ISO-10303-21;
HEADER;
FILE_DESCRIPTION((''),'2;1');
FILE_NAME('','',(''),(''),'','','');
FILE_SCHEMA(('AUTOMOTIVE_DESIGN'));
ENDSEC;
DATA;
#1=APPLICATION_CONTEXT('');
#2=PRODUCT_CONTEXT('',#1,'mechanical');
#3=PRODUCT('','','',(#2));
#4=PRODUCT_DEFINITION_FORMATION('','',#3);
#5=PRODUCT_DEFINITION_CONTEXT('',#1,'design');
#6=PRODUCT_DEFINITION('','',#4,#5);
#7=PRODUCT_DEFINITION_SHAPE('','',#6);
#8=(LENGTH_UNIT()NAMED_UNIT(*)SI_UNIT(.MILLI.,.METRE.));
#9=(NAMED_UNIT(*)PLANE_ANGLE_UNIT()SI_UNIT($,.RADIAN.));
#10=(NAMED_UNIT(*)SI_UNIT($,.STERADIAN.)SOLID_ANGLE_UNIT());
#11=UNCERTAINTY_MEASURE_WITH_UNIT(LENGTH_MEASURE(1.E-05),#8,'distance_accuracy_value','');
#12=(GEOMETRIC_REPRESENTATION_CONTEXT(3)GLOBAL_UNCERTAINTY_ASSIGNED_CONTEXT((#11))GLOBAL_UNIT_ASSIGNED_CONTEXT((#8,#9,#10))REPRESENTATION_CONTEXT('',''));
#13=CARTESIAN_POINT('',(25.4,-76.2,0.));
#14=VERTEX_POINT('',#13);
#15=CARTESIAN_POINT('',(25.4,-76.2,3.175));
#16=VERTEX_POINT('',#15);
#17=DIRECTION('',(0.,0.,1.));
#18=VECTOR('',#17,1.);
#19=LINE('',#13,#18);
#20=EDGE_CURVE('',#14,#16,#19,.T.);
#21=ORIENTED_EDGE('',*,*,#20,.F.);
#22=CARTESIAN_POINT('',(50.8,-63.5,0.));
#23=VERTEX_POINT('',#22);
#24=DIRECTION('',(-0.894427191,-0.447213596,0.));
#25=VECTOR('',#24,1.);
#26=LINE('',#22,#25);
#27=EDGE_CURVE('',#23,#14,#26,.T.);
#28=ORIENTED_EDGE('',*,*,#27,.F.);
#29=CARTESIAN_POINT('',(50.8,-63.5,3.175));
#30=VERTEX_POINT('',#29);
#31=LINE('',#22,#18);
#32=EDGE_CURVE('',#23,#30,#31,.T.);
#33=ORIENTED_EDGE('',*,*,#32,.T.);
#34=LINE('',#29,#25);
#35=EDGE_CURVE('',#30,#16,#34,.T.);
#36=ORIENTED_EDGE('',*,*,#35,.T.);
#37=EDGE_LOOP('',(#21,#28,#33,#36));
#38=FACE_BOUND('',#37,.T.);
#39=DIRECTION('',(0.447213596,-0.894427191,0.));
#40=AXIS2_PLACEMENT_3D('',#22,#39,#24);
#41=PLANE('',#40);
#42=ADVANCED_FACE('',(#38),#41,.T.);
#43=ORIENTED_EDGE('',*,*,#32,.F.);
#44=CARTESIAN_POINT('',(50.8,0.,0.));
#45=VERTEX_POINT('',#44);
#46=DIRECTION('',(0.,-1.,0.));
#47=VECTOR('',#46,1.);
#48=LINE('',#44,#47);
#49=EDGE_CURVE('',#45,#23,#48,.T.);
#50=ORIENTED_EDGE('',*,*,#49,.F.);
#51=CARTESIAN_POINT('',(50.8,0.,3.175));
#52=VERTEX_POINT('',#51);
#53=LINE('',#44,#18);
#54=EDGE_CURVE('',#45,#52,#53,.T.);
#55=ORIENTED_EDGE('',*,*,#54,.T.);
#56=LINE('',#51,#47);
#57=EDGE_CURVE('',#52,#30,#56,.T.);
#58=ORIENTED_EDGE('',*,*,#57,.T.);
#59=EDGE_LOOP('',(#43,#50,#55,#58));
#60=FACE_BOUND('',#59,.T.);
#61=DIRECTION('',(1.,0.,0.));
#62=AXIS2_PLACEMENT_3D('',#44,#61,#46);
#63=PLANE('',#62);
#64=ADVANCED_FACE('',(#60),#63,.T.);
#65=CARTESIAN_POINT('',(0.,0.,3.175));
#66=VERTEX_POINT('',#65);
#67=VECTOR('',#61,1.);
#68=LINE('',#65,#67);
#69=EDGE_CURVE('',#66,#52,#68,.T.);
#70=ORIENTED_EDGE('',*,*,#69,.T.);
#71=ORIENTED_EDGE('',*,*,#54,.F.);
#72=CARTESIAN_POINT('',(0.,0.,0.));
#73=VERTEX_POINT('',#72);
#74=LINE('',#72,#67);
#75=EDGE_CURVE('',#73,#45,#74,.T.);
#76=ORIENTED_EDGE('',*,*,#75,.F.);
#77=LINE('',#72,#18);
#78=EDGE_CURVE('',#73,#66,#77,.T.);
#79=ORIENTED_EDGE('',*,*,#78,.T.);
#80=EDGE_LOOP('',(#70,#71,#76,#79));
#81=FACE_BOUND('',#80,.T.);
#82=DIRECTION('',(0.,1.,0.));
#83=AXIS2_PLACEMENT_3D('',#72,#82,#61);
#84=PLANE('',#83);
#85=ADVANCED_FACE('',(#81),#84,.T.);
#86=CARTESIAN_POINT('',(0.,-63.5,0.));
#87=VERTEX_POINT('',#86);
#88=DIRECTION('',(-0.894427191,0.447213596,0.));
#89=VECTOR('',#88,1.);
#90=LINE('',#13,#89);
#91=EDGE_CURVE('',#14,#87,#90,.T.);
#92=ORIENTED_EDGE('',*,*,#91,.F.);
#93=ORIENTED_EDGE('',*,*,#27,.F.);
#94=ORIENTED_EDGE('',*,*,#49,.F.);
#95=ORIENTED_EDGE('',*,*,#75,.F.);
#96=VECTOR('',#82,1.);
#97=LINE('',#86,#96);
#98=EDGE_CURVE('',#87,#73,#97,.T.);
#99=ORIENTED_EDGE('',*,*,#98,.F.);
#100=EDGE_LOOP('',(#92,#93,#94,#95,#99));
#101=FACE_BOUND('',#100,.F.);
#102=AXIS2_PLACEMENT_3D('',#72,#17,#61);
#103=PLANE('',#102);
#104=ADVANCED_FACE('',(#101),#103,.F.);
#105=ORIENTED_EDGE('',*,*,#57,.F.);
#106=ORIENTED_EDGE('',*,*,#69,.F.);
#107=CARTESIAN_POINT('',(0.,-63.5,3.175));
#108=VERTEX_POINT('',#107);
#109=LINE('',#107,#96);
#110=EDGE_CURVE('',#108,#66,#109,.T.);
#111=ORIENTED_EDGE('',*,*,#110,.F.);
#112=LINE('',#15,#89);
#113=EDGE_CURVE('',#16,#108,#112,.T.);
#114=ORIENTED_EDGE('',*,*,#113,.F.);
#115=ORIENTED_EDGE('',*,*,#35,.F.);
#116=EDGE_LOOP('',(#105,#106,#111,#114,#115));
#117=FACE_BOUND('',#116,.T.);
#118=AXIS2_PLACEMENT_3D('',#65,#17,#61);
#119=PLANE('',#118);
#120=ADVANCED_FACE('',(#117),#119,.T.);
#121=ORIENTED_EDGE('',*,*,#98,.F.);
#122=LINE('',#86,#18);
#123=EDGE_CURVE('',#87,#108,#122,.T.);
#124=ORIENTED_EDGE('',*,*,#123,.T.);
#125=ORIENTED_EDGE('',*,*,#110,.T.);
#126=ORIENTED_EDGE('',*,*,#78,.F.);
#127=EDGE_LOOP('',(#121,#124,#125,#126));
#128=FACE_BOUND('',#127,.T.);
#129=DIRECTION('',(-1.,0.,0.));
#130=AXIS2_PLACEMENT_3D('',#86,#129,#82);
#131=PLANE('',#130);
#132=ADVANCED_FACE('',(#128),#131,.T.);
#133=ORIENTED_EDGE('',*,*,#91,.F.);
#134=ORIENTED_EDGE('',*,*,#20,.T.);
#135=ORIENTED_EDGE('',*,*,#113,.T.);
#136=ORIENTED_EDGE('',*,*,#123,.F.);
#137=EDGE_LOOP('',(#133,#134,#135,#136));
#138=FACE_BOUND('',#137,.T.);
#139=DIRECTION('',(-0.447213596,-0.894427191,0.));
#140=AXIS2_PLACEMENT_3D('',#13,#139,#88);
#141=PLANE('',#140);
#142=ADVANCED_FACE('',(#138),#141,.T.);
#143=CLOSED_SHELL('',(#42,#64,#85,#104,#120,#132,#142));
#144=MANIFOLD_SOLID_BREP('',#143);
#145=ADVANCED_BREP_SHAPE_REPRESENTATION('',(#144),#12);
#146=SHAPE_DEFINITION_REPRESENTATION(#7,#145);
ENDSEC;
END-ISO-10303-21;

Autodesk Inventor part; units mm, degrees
ref_plane "YZ Plane" through (0, 0, 0) normal (1, 0, 0) x (0, 1, 0)
ref_plane "XZ Plane" through (0, 0, 0) normal (0, 1, 0) x (-1, 0, 0)
ref_plane "XY Plane" through (0, 0, 0) normal (0, 0, 1) x (1, 0, 0)
sketch "Sketch1" plane through (0, 0, 0) normal (0, 0, 1) x (1, 0, 0)
  line L0 (0, 0) -> (50.8, 0)
  line L1 (50.8, 0) -> (50.8, -63.5)
  line L2 (50.8, -63.5) -> (25.4, -76.2)
  line L3 (25.4, -76.2) -> (0, -63.5)
  line L4 (0, -63.5) -> (0, 0)
  dimension "d0" = 50.8
  dimension "d1" = 76.2
  dimension "d2" = 63.5
extrude "Extrusion1" add sketch "Sketch1" along normal blind 3.175
properties part number "mean machine tooth"
